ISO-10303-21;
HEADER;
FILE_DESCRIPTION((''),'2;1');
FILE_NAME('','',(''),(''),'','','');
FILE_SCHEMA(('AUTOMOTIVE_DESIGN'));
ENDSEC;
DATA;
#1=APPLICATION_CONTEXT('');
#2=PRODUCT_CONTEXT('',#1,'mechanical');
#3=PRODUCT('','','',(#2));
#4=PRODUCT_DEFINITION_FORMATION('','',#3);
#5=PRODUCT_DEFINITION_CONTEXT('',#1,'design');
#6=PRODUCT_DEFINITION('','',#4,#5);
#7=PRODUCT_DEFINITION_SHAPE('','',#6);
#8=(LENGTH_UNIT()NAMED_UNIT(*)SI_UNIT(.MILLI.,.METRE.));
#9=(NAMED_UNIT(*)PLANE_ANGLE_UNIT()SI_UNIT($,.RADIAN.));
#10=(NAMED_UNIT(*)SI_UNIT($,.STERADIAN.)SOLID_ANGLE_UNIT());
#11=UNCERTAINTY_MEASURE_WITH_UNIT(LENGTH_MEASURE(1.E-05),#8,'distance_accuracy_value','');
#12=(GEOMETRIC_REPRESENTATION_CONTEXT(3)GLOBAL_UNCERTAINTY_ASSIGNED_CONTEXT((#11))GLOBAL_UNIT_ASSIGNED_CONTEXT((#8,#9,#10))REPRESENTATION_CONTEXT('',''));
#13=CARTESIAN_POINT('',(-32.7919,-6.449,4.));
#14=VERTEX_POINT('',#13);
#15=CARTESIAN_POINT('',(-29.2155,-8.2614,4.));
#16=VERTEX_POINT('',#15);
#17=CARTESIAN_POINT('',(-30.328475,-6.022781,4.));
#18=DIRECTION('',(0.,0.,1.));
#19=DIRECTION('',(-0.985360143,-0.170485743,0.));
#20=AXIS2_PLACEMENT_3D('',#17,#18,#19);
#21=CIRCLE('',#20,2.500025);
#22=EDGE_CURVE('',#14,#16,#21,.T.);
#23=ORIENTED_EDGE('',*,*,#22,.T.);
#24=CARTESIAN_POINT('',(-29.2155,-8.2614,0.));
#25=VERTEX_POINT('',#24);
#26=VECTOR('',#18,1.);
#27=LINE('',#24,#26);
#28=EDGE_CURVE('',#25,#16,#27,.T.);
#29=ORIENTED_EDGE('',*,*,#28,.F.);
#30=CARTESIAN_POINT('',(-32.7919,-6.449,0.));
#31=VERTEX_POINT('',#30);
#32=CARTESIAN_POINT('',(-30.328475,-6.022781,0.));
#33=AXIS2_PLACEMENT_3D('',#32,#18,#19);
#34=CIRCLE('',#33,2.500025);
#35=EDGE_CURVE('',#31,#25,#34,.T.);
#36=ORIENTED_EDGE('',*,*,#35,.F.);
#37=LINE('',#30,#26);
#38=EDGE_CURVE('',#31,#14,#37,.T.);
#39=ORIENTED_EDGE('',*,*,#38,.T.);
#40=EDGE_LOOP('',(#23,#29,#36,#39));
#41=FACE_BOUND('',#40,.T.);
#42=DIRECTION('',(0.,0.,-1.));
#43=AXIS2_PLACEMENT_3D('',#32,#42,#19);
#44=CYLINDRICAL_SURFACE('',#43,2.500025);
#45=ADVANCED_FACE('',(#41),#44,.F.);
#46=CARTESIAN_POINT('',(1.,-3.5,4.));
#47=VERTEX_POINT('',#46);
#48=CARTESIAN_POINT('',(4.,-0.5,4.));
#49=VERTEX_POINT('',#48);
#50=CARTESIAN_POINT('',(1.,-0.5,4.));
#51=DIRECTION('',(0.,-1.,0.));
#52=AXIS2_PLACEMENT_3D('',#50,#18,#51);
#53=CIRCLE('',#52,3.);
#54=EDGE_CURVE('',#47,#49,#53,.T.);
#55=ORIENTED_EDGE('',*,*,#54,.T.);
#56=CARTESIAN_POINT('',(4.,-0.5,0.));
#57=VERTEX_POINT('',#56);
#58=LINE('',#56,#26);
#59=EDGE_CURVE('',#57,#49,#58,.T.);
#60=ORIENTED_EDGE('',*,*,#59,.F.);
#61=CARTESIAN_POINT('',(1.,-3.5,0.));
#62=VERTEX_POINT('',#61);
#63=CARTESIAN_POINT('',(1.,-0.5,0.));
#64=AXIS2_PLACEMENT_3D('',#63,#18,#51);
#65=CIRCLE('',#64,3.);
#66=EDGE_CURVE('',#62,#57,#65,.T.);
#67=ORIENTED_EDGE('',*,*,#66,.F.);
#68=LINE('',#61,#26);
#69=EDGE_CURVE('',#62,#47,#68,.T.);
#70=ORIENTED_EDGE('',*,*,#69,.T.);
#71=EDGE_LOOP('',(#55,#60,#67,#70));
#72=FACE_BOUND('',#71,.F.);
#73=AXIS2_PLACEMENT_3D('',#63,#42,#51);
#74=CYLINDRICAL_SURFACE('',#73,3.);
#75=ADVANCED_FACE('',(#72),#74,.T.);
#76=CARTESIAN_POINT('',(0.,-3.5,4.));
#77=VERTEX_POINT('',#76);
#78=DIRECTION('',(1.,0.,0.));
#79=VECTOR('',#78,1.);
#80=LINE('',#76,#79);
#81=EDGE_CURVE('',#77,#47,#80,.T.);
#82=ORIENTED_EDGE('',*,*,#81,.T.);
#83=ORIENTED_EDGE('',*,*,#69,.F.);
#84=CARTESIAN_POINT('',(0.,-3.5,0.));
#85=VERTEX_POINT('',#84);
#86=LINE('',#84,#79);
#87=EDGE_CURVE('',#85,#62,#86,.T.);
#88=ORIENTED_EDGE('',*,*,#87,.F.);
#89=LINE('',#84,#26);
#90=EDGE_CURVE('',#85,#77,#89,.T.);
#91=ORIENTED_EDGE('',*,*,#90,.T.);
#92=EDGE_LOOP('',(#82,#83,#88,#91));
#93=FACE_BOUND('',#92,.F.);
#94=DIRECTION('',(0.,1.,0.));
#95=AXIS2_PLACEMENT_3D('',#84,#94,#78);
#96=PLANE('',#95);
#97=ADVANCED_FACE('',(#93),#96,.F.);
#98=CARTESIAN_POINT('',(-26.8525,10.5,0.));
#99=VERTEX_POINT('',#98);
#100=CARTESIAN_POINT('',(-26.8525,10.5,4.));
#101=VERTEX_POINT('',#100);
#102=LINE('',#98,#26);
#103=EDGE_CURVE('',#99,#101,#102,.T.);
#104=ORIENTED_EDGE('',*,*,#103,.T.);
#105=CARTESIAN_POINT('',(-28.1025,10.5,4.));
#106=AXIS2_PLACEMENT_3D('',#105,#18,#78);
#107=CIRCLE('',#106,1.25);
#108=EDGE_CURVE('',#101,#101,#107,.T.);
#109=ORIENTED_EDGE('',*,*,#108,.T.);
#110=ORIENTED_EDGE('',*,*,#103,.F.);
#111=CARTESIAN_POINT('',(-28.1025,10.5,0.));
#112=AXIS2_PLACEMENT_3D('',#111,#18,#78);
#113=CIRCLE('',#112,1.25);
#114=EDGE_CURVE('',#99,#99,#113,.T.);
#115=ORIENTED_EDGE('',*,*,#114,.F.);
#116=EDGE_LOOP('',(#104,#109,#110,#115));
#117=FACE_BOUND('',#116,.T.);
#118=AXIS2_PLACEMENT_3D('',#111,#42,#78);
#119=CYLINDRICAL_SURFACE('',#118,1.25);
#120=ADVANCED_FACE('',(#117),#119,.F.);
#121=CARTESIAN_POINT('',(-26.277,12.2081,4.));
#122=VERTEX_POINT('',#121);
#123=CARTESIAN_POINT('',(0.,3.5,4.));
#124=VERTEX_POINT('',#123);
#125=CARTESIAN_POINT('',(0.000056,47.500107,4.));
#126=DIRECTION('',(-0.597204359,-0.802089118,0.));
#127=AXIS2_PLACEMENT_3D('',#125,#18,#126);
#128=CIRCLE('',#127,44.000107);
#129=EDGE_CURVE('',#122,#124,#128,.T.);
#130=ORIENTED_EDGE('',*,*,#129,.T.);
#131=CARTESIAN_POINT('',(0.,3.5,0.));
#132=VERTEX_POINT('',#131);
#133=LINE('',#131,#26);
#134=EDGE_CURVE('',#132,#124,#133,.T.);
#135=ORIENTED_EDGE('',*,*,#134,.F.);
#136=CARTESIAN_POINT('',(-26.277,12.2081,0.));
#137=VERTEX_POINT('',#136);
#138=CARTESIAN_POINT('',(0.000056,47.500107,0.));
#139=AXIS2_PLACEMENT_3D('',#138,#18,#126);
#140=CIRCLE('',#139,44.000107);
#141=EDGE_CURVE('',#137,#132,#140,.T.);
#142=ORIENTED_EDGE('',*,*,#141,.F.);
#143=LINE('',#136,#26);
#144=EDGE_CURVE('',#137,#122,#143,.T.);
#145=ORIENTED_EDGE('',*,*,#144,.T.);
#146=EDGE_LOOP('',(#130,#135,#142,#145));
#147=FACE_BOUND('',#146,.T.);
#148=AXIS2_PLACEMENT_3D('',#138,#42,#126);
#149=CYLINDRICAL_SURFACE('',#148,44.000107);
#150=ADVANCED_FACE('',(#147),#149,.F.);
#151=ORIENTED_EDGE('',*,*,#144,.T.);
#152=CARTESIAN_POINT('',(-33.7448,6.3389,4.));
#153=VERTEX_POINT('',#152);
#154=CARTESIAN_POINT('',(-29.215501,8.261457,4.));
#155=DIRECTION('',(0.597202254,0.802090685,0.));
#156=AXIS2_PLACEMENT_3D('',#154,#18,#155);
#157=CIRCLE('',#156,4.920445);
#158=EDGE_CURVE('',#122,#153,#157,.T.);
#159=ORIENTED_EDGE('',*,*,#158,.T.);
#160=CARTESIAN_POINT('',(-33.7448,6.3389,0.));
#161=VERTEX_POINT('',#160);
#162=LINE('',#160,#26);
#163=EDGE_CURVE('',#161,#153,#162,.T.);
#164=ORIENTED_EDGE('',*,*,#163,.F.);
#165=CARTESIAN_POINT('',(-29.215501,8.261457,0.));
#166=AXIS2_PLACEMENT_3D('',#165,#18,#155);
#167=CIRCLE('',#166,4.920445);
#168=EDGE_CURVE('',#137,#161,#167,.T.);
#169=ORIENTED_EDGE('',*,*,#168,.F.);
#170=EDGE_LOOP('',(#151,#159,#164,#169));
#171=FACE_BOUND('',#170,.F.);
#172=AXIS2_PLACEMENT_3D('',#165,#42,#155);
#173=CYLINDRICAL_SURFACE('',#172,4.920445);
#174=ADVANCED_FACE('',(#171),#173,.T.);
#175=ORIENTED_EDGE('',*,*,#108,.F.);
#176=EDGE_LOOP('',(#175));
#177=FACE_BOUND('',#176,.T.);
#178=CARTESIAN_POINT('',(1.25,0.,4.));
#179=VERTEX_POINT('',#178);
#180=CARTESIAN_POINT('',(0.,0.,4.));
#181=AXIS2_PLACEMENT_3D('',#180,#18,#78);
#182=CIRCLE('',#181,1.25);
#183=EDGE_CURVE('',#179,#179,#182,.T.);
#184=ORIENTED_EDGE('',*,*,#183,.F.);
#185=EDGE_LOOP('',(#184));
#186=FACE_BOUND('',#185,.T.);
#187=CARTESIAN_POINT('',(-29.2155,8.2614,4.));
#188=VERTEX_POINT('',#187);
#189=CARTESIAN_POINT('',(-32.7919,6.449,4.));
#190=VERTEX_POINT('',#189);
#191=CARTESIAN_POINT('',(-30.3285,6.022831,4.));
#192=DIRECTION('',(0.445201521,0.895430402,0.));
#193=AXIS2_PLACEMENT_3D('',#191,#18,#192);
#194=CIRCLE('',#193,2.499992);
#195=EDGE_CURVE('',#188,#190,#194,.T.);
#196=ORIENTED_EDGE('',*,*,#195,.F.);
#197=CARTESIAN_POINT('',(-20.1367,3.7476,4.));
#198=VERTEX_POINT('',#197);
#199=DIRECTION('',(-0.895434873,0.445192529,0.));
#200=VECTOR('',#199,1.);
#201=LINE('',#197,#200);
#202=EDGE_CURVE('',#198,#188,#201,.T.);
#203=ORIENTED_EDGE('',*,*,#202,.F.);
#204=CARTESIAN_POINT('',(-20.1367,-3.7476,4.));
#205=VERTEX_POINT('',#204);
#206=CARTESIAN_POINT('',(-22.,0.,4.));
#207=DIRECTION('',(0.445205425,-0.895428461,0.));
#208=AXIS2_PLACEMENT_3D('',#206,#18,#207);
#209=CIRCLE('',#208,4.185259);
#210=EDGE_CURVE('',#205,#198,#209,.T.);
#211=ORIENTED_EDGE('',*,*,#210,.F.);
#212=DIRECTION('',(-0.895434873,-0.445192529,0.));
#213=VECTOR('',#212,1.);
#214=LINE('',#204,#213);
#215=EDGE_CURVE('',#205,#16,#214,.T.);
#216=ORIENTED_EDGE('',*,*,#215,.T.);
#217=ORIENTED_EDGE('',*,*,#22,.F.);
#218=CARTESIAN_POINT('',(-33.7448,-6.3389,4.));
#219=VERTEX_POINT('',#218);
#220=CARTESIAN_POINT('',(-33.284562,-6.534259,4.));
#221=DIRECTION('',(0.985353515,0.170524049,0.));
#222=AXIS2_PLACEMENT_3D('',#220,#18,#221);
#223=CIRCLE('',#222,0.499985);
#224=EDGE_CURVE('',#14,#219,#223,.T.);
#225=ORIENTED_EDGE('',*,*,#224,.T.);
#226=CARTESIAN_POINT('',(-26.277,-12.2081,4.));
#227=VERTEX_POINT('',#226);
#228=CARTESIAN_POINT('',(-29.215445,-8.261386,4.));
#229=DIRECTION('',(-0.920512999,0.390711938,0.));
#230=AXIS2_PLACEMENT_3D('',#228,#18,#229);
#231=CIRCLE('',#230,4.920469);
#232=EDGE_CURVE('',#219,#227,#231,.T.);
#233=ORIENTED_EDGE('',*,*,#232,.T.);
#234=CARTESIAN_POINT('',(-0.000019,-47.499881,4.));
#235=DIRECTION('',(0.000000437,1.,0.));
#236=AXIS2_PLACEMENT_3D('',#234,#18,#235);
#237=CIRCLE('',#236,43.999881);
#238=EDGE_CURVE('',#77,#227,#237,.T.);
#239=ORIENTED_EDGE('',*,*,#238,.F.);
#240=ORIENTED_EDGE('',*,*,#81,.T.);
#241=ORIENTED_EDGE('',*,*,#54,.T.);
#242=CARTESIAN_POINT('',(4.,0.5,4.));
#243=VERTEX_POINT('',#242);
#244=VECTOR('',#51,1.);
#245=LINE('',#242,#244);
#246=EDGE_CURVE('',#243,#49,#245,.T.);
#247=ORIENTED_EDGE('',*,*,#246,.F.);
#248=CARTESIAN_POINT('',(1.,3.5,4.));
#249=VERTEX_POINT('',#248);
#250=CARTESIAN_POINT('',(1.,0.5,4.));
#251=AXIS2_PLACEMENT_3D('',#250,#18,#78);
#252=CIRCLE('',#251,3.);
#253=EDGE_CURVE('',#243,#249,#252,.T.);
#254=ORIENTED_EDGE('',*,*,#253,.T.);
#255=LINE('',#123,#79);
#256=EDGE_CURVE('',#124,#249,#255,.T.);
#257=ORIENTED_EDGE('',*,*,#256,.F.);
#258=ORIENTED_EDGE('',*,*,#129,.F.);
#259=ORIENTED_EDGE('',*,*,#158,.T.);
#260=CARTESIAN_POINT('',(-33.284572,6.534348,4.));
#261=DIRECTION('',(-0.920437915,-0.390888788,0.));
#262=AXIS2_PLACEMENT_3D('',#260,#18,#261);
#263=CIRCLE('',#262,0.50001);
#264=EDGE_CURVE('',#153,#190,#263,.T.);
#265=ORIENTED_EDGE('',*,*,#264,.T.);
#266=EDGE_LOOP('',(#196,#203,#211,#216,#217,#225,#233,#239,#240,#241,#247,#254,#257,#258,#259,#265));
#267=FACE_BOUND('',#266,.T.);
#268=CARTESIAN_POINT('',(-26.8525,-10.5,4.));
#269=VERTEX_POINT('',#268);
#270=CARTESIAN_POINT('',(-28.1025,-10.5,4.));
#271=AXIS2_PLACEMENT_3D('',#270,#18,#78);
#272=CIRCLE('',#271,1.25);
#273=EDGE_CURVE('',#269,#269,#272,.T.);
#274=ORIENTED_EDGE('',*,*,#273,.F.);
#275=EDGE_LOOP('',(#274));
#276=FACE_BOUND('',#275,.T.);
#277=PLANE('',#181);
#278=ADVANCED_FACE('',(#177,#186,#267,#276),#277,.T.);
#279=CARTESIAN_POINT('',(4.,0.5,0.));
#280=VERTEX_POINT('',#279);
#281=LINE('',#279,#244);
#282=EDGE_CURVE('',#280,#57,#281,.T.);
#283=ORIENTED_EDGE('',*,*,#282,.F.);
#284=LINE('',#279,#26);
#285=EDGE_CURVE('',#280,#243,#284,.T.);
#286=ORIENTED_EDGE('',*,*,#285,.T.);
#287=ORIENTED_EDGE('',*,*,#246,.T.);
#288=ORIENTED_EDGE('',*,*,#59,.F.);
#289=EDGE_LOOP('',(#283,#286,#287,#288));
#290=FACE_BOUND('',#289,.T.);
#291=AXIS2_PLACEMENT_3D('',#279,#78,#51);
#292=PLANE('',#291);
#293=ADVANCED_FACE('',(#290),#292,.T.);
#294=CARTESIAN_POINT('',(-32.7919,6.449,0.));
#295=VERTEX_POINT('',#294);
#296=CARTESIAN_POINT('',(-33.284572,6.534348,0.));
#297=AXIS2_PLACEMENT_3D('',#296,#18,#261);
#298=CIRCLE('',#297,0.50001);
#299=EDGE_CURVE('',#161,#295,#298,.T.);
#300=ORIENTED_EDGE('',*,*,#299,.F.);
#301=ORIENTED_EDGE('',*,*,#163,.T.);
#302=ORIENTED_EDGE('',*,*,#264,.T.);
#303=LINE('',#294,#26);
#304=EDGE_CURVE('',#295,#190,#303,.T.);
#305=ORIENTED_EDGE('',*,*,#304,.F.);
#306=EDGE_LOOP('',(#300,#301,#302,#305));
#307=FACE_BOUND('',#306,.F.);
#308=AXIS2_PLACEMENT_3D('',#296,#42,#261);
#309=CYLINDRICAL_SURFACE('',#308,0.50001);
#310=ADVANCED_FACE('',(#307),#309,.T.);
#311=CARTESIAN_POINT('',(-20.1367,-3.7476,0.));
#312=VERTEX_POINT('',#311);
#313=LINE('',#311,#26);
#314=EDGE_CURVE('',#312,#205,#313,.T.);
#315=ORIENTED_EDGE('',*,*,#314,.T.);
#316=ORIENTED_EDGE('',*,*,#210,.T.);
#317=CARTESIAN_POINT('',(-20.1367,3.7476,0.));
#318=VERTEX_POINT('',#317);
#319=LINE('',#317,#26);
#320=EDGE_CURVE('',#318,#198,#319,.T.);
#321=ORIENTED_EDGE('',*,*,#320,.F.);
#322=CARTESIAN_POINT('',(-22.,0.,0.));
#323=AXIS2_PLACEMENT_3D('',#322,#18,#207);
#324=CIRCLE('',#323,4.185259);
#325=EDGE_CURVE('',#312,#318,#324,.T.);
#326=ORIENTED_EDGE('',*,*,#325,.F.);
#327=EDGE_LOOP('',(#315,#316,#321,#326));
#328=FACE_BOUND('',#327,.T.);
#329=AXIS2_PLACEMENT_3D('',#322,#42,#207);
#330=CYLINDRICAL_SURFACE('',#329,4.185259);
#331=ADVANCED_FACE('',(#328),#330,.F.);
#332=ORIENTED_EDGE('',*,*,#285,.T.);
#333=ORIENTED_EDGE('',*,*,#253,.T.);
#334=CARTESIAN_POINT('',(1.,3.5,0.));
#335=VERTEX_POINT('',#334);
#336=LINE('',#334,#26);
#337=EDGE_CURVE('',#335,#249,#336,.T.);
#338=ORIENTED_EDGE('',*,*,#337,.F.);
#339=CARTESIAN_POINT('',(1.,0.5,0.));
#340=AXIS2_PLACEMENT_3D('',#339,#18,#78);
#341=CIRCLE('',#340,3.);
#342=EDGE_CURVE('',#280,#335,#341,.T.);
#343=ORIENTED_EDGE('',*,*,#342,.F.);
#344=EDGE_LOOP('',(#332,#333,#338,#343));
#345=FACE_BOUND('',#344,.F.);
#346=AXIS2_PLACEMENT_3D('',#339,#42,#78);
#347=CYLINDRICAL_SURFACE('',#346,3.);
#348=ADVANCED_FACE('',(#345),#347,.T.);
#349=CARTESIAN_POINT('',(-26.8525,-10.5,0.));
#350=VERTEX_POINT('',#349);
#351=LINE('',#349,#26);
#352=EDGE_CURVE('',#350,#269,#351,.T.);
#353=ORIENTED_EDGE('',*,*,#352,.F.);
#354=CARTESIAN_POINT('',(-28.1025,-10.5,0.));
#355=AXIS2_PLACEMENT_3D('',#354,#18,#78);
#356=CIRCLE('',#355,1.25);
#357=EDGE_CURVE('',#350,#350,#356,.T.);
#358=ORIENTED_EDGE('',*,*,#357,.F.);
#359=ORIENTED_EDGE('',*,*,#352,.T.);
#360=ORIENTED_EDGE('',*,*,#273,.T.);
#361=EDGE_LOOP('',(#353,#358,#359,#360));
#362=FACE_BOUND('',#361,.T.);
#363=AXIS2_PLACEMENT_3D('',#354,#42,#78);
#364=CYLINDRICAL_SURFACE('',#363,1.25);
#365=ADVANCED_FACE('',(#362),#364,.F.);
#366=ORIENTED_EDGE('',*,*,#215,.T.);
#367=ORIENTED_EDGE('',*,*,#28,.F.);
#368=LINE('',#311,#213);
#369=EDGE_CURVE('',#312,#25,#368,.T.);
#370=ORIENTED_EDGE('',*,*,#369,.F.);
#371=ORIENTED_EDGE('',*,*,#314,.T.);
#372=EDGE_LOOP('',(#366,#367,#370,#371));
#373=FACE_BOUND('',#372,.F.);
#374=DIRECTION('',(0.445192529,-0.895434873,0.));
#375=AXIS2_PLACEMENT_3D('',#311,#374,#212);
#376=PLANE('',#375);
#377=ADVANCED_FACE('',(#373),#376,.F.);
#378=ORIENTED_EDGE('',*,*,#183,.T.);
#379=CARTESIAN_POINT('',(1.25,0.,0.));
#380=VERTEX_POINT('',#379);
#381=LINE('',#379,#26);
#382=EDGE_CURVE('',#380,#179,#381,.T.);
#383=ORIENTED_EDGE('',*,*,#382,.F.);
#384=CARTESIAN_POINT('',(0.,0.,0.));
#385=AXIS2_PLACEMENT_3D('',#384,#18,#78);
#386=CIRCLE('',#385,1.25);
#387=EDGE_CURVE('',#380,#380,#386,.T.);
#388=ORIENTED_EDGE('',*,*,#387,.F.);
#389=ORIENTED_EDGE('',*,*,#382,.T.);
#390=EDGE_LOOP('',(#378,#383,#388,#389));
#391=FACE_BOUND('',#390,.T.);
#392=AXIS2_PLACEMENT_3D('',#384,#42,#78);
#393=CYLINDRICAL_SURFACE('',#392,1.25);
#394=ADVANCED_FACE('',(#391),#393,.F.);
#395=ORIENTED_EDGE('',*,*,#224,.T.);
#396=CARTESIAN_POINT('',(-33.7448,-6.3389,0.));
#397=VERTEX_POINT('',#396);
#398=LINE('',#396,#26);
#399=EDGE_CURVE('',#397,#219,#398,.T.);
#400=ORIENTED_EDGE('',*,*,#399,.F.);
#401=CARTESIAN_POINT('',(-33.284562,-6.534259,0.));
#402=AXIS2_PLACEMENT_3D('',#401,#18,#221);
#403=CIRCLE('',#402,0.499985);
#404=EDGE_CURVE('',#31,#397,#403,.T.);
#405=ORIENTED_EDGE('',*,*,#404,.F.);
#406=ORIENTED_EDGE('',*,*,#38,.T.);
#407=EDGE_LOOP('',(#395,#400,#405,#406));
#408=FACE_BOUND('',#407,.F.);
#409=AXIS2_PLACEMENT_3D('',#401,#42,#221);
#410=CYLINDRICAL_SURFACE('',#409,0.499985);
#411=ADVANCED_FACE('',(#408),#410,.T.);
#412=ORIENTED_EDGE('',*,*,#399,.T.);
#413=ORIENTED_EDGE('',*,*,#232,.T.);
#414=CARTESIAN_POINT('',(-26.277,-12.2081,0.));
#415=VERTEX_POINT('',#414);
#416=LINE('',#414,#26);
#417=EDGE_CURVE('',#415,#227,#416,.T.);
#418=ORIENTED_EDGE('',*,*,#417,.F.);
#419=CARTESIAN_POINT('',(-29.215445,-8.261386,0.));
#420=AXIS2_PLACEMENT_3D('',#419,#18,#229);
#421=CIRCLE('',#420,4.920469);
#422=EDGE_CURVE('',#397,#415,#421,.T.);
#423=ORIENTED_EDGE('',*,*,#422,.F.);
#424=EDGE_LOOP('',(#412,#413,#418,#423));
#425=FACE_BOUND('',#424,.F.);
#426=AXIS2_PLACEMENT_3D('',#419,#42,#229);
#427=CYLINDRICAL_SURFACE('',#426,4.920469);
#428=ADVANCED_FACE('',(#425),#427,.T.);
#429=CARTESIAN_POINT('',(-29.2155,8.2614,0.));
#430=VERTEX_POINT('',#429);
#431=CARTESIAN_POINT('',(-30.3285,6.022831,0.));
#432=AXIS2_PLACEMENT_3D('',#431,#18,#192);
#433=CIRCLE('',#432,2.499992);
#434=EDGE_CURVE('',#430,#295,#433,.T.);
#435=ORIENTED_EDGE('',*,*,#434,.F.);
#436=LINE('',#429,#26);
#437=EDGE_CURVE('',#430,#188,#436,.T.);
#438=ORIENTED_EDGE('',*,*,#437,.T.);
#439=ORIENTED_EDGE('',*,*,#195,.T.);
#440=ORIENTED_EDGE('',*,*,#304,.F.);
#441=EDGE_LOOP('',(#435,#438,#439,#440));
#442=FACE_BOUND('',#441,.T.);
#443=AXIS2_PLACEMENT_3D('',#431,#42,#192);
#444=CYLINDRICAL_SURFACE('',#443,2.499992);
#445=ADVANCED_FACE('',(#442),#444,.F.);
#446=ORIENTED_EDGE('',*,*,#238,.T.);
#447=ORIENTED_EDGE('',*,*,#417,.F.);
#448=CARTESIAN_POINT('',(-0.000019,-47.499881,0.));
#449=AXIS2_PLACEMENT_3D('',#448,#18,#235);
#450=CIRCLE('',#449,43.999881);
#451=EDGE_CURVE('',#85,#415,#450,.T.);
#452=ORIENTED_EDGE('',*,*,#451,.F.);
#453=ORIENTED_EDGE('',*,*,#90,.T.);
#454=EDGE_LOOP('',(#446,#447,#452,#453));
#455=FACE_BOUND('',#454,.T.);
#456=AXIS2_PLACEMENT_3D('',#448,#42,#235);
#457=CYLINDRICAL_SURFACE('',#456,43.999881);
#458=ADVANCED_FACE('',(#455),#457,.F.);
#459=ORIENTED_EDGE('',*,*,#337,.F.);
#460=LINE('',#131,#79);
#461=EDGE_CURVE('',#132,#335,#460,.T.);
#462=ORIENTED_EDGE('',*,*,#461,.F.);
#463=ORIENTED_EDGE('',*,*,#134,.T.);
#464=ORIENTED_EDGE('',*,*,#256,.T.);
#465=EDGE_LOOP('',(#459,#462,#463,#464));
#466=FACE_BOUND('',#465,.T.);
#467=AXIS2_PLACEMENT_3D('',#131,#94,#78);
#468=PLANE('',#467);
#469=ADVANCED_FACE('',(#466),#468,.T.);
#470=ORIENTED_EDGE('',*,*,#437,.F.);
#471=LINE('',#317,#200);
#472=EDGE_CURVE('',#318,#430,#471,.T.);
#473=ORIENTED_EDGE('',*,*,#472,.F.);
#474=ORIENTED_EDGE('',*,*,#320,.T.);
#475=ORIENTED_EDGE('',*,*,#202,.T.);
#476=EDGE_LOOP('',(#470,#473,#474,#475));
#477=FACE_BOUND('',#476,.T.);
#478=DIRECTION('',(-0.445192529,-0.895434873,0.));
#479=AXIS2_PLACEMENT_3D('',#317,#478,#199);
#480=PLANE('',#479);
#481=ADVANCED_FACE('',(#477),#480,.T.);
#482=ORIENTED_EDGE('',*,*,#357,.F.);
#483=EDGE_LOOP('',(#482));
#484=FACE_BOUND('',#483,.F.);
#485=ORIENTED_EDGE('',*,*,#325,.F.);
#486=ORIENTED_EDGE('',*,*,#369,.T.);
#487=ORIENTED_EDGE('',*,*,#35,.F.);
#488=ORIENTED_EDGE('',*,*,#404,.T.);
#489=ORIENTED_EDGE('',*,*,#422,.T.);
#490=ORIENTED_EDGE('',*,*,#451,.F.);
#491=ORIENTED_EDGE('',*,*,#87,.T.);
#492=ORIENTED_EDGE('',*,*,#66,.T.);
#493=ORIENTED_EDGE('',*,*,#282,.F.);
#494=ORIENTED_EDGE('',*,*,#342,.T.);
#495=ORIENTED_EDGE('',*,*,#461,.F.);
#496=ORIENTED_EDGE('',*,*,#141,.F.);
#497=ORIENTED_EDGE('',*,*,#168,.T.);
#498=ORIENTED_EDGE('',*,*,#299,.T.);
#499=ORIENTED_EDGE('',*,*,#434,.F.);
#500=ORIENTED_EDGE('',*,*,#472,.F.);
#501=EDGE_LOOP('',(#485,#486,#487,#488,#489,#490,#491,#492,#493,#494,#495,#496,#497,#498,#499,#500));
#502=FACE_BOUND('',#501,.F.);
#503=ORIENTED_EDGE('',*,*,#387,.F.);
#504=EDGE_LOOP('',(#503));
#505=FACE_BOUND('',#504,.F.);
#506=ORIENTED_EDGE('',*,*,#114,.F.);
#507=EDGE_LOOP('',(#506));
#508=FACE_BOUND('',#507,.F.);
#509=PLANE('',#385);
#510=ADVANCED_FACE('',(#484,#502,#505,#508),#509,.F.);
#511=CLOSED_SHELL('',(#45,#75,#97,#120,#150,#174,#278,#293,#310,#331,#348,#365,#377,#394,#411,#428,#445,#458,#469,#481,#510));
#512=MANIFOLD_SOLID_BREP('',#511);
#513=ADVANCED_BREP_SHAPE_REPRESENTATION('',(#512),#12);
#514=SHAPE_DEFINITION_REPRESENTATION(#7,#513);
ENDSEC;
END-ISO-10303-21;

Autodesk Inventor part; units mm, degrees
ref_plane "YZ Plane" through (0, 0, 0) normal (1, 0, 0) x (0, 1, 0)
ref_plane "XZ Plane" through (0, 0, 0) normal (0, 1, 0) x (-1, 0, 0)
ref_plane "XY Plane" through (0, 0, 0) normal (0, 0, 1) x (1, 0, 0)
sketch "Sketch1" plane through (0, 0, 0) normal (0, 0, 1) x (1, 0, 0)
  circle A0 centre (0, 0) radius 1.25
  circle A1 centre (-28.1025, 10.5) radius 1.25
  circle A2 centre (-28.1025, -10.5) radius 1.25
  line L0 (0, 0) -> (-28.1025, 0) construction
  line L1 (-28.1025, 10.5) -> (0, 0) construction
  line L2 (-28.1025, 0) -> (-28.1025, 10.5) construction
  circle A3 centre (0, 0) radius 2.5 construction
  circle A4 centre (-28.1025, 10.5) radius 2.5 construction
  circle A5 centre (-28.1025, -10.5) radius 2.5 construction
  line L3 (0, 0) -> (0, 7) construction
  line L4 (0, 3.5) -> (1, 3.5)
  arc A6 (-26.277, 12.2081) -> (0, 3.5) centre (0, 47.5) ccw
  line L5 (0, -3.5) -> (1, -3.5)
  arc A7 (-20.1367, -3.7476) -> (-20.1367, 3.7476) centre (-22, 0) ccw
  arc A8 (-26.277, 12.2081) -> (-33.7448, 6.3389) centre (-29.2155, 8.2614) ccw
  line L6 (-20.1367, 3.7476) -> (-29.2155, 8.2614)
  arc A9 (-29.2155, 8.2614) -> (-32.7919, 6.449) centre (-30.3285, 6.0228) ccw
  arc A10 (-33.7448, 6.3389) -> (-32.7919, 6.449) centre (-33.2846, 6.5343) ccw
  arc A11 (0, -3.5) -> (-26.277, -12.2081) centre (0, -47.5) ccw
  arc A12 (-33.7448, -6.3389) -> (-26.277, -12.2081) centre (-29.2155, -8.2614) ccw
  line L7 (-20.1367, -3.7476) -> (-29.2155, -8.2614)
  arc A13 (-32.7919, -6.449) -> (-29.2155, -8.2614) centre (-30.3285, -6.0228) ccw
  arc A14 (-32.7919, -6.449) -> (-33.7448, -6.3389) centre (-33.2846, -6.5343) ccw
  line L8 (4, 0.5) -> (4, -0.5)
  arc A15 (4, 0.5) -> (1, 3.5) centre (1, 0.5) ccw
  arc A16 (1, -3.5) -> (4, -0.5) centre (1, -0.5) ccw
  dimension "d0" = 2.5
  dimension "d1" = 10.5
  dimension "d2" = 30
  dimension "d3" = 5
  dimension "d22" = 3.5
  dimension "d32" = 0.5
  dimension "d36" = 22
  dimension "d37" = 2.5
  dimension "d38" = 0.5
  dimension "d47" = 44
  dimension "d48" = 4
  dimension "d49" = 3
extrude "Extrusion1" add sketch "Sketch1" along normal blind 4
properties part number "legFrame_short"
